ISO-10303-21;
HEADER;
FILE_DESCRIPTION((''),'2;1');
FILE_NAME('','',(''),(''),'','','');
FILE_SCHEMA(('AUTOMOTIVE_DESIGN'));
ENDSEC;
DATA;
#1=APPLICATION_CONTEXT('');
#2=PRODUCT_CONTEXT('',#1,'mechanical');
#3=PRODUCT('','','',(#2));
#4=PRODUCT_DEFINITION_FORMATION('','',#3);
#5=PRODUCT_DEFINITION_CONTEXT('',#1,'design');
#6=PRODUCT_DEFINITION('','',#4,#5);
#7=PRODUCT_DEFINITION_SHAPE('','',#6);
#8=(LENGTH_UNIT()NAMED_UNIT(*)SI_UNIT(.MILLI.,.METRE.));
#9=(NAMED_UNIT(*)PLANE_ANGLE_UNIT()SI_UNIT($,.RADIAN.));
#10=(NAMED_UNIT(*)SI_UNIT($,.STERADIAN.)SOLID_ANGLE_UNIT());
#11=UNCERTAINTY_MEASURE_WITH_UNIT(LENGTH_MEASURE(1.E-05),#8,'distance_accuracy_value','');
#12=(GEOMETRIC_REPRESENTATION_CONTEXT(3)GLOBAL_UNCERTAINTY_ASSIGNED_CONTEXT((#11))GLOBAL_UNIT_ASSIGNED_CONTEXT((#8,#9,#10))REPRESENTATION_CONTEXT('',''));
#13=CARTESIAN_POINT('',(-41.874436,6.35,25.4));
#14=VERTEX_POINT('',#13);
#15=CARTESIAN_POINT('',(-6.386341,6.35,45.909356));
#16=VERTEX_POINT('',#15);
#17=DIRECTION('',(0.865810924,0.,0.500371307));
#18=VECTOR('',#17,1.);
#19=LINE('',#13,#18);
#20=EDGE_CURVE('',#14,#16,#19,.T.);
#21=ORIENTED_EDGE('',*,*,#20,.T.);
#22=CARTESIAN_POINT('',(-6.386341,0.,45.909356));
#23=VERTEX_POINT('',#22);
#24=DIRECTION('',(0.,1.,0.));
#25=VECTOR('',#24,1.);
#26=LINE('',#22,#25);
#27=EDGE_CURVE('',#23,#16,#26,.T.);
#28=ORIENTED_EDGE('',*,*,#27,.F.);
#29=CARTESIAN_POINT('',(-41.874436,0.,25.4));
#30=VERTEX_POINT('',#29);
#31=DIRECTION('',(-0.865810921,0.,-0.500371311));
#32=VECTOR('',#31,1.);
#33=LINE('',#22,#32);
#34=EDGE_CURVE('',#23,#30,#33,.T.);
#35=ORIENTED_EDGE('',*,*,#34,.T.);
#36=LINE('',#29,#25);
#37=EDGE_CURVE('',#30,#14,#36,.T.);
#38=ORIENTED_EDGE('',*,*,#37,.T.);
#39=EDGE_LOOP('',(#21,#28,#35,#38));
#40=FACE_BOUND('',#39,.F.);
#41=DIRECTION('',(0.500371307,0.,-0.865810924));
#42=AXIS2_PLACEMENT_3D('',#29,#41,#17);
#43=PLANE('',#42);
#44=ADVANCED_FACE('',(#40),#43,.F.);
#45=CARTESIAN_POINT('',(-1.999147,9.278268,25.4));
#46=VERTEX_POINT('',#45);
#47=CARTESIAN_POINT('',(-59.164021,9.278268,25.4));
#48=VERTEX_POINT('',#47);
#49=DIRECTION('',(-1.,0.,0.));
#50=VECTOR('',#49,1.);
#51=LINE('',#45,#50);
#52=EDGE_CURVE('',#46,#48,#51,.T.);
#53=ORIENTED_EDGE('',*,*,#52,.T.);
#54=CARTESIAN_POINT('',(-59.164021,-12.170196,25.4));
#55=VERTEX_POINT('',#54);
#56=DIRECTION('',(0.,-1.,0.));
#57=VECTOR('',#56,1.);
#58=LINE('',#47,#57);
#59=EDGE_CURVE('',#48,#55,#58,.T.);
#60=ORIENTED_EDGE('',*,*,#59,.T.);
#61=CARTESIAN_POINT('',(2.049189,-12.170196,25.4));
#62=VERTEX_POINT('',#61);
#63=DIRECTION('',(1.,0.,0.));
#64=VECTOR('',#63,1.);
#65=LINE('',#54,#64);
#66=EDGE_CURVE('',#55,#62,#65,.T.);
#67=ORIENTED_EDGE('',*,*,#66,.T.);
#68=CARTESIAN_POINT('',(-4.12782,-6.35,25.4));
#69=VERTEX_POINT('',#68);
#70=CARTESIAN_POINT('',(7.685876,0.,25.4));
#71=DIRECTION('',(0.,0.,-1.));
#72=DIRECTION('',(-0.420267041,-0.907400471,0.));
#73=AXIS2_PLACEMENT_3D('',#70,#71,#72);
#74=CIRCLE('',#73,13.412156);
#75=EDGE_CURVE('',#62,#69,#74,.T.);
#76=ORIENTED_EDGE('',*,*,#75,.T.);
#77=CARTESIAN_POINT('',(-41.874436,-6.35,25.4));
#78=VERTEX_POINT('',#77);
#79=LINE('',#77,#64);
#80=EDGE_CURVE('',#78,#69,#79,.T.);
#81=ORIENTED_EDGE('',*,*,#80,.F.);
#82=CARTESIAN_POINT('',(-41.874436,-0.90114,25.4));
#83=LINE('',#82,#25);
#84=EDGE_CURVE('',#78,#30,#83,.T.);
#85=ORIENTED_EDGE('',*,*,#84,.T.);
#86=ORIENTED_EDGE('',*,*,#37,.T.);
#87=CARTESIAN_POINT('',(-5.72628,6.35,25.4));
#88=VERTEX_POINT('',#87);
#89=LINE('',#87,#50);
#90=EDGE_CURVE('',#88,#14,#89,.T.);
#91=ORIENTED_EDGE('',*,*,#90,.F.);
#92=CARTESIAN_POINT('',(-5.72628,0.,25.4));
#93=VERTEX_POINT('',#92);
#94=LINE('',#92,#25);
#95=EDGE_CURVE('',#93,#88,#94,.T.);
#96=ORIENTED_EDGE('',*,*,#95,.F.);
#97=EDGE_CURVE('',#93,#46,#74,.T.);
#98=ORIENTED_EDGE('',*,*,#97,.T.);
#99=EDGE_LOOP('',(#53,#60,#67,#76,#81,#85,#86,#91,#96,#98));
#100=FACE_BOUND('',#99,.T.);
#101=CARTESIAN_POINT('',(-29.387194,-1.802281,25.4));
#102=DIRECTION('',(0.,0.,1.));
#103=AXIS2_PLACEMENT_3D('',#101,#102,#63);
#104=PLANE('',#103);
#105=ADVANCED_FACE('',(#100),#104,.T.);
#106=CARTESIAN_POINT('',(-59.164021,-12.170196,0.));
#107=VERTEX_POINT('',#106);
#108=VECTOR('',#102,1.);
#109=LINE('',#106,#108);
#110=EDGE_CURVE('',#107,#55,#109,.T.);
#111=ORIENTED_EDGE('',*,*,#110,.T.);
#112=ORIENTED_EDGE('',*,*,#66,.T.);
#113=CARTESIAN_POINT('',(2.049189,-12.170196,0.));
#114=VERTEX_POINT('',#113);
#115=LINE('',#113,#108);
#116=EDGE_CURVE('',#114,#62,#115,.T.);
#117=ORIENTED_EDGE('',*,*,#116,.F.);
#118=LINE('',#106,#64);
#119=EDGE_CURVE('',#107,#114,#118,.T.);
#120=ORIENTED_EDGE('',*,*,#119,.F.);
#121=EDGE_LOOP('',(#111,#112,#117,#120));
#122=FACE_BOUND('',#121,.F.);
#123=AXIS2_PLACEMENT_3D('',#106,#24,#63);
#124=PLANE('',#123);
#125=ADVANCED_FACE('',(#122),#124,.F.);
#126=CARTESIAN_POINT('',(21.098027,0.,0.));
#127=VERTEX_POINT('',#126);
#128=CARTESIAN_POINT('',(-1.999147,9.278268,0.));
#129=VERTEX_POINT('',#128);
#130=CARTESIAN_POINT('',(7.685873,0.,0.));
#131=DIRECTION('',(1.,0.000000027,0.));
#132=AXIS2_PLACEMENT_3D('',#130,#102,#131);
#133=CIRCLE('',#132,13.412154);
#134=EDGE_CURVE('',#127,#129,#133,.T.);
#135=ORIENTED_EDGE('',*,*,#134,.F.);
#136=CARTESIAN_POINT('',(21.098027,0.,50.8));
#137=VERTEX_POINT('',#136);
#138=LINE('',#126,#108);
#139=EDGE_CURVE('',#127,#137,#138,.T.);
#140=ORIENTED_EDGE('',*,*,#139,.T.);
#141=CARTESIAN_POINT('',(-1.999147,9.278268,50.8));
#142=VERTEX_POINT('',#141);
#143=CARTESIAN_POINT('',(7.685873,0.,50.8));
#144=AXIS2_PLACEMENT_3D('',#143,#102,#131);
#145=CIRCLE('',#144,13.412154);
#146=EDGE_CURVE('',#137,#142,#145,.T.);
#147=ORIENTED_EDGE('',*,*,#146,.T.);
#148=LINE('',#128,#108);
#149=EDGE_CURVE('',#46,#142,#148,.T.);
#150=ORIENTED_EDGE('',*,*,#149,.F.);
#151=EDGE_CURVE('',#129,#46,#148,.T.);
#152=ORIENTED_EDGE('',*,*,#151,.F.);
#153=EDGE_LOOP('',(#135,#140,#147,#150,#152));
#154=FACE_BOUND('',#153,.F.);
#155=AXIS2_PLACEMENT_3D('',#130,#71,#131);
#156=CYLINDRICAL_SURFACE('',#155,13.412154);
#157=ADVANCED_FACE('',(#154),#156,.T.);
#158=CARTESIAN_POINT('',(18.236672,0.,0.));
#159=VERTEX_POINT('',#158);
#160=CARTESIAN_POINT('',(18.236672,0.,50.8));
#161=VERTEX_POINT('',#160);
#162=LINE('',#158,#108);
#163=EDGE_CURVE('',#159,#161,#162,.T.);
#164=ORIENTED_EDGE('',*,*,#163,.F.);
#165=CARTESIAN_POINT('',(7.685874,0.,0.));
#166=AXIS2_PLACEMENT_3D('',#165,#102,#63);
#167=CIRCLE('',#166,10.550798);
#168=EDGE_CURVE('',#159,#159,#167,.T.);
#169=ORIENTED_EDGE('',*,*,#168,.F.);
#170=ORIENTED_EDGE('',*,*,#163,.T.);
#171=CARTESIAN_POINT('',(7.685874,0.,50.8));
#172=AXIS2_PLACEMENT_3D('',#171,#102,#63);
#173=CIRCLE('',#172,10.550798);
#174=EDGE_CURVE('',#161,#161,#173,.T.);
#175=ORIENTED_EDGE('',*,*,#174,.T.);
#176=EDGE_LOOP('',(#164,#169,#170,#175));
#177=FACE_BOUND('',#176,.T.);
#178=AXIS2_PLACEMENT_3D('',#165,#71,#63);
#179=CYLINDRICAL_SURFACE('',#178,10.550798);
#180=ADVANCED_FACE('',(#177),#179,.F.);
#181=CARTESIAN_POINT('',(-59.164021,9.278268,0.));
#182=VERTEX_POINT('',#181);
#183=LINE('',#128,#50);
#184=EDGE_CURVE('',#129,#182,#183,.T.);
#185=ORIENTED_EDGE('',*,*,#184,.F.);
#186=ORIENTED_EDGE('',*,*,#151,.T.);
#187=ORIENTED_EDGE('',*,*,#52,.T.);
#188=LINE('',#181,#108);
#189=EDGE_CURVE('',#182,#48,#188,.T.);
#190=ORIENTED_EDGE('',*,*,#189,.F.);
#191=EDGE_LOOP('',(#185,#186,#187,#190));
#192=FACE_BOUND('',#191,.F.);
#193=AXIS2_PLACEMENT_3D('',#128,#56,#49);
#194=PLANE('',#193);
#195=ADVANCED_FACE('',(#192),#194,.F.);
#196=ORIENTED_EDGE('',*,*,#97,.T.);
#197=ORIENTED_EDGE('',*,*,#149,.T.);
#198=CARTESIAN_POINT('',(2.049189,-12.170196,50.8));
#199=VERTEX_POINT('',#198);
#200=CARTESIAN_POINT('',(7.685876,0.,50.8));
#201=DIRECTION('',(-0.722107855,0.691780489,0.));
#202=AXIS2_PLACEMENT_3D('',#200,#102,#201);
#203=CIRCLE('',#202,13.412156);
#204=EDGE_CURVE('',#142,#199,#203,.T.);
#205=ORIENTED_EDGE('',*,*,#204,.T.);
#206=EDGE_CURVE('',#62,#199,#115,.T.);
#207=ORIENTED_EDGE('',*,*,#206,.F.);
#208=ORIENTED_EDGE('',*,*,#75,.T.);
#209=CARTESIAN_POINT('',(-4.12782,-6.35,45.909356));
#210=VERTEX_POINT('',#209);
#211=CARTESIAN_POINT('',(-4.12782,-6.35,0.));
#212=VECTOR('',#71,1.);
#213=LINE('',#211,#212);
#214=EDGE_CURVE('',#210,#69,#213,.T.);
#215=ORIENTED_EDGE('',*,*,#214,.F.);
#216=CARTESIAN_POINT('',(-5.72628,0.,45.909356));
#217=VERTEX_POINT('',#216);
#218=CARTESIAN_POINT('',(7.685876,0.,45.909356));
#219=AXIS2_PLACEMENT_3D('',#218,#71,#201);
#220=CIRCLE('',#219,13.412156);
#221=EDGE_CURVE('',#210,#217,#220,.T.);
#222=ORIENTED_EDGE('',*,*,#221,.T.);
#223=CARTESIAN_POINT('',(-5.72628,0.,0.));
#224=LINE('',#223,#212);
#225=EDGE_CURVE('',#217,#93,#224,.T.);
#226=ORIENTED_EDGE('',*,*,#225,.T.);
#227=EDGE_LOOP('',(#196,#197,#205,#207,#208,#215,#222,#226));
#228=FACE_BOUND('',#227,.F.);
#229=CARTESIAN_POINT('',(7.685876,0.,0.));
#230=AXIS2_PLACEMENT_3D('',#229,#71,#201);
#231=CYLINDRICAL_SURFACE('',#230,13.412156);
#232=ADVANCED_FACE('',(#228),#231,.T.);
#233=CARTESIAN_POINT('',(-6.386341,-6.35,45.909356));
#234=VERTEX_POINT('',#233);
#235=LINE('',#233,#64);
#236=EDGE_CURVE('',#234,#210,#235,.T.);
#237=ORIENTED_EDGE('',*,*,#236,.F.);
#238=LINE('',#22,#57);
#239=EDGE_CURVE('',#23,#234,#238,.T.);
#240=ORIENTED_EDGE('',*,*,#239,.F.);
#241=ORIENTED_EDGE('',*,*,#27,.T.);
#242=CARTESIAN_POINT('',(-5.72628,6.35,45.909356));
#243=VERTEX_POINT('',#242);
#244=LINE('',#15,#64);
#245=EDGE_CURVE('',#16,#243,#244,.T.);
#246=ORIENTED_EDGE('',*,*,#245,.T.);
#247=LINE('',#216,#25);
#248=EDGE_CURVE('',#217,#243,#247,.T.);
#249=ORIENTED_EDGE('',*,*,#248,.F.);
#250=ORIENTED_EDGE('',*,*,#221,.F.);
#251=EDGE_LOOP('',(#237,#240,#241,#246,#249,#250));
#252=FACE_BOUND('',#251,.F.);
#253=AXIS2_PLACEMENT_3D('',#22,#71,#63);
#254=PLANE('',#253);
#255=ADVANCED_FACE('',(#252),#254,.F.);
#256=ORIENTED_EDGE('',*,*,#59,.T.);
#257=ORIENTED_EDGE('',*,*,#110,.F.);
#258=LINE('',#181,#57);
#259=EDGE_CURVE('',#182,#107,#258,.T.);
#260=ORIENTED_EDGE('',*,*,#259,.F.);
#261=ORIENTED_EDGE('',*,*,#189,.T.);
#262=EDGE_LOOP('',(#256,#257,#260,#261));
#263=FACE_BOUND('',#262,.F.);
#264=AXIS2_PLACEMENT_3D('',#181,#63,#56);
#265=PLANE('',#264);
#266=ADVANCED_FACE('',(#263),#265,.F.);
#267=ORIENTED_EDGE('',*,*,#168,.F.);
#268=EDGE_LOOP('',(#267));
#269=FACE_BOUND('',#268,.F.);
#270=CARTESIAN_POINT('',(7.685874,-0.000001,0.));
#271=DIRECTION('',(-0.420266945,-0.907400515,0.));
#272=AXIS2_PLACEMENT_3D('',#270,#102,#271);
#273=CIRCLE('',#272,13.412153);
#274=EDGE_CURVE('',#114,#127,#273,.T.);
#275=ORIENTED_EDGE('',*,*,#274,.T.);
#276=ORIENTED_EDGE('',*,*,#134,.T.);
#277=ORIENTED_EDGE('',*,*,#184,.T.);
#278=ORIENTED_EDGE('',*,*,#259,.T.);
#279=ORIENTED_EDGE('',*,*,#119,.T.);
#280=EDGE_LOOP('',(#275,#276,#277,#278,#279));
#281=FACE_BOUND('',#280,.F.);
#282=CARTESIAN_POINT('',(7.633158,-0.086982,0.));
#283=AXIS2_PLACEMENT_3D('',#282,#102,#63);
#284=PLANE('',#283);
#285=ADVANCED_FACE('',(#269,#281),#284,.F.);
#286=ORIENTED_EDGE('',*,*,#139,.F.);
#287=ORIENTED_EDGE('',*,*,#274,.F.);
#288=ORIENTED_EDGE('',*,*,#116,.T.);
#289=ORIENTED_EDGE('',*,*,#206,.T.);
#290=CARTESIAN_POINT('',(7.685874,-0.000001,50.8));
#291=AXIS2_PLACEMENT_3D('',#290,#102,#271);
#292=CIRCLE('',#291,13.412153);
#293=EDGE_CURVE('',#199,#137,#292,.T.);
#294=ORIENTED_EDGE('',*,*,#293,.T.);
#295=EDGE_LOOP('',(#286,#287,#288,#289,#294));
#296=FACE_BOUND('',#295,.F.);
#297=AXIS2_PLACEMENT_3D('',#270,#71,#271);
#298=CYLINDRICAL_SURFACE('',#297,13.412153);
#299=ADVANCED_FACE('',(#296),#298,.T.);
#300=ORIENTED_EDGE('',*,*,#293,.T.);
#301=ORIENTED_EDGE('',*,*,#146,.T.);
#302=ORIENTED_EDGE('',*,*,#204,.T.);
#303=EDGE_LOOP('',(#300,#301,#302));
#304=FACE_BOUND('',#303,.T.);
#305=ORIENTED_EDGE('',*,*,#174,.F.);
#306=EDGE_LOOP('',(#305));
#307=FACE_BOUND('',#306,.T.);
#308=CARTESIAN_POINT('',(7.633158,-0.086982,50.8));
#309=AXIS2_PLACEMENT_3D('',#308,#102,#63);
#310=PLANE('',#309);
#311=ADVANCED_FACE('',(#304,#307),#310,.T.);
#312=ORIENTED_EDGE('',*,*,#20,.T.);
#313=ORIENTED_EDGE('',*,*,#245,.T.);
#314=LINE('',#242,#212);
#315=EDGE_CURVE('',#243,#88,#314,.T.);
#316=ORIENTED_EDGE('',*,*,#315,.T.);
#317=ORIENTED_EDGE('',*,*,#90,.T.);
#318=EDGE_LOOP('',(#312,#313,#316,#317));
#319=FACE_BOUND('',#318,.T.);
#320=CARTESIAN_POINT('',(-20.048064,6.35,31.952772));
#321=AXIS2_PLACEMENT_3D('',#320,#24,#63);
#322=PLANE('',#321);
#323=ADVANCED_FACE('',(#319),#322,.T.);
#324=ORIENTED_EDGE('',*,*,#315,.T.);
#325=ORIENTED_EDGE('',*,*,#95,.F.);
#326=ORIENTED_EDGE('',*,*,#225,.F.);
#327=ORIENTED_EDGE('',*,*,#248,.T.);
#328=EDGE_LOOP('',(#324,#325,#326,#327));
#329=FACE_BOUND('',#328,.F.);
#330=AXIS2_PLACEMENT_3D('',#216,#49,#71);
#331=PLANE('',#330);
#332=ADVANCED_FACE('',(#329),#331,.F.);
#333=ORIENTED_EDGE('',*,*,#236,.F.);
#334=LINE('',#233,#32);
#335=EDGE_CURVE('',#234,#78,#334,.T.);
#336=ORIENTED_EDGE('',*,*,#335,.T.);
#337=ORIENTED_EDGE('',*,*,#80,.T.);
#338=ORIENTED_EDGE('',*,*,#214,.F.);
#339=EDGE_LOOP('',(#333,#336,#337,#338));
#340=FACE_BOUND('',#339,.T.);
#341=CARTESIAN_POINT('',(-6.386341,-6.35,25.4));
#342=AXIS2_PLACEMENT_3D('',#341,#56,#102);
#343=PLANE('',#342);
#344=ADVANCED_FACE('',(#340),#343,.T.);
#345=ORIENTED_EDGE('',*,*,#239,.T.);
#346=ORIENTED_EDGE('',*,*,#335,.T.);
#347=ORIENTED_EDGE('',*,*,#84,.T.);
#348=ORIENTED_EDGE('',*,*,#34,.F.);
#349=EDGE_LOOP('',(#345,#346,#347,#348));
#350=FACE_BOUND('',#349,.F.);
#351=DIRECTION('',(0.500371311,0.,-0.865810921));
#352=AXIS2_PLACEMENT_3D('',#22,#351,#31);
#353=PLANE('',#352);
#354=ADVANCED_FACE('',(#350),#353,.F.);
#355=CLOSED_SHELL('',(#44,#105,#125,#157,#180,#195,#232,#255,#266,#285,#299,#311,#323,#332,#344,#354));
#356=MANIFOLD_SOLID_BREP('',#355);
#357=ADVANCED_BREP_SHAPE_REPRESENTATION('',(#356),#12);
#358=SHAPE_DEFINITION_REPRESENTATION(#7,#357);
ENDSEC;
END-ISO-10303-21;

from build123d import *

# Parameters (mm, degrees)
F1_DEPTH  = 25.4
F0_R      = 10.550798
F2_DEPTH  = 50.8
F4_DEPTH  = 6.35
F4_FACE_W = 6.35
F4_FACE_H = 20.509356
F5_DEPTH  = 2.54
F6_DEPTH  = 6.35


with BuildPart() as f1:
    # F0 (on Top) → F1 (new body)
    with BuildSketch(Plane.XY):
        with BuildLine():
            Line((-4.458389, 9.278268), (-59.164021, 9.278268))
            Line((-59.164021, 9.278268), (-59.164021, -12.170196))
            Line((-59.164021, -12.170196), (-4.458389, -12.170196))
            Line((-4.458389, -12.170196), (2.049189, -12.170196))
            ThreePointArc((2.049189, -12.170196), (-5.493572, -2.487583), (-1.999147, 9.278268))
            Line((-1.999147, 9.278268), (-4.458389, 9.278268))
        make_face()
    extrude(amount=F1_DEPTH)

    # F0 (on Top) → F2 (join)
    with BuildSketch(Plane.XY):
        with BuildLine():
            ThreePointArc((21.098027, 0), (12.685318, 12.445538), (-1.999147, 9.278268))
            ThreePointArc((-1.999147, 9.278268), (-5.493572, -2.487583), (2.049189, -12.170196))
            ThreePointArc((2.049189, -12.170196), (14.906878, -11.302344), (21.098027, 0))
        make_face()
        with Locations((7.685874, 0)):
            Circle(F0_R, mode=Mode.SUBTRACT)
    extrude(amount=F2_DEPTH)

    # F3 (on Front) → F4 (join)
    with BuildSketch(Plane.XZ):
        Polygon((-6.386341, 45.909356), (-43.499414, 24.460889), (-43.499414, 23.014925), (-6.386341, 23.014925), align=None)
    extrude(amount=F4_DEPTH)

    # F4_face (on face) → F5 (join)
    with BuildSketch(Plane(origin=(-6.386341, -3.175, 35.654678), x_dir=(0, 1, 0), z_dir=(1, 0, 0))):
        Rectangle(F4_FACE_W, F4_FACE_H)
    extrude(amount=F5_DEPTH)

    # F5_face (on face) → F6 (join)
    with BuildSketch(Plane(origin=(-17.779611, 0, 32.359046), x_dir=(1, 0, 0), z_dir=(0, 1, 0))):
        Polygon((11.39327, -13.55031), (12.053331, -13.55031), (12.053331, 6.959046), (-24.094825, 6.959046), align=None)
    extrude(amount=F6_DEPTH)


solid = f1.part
